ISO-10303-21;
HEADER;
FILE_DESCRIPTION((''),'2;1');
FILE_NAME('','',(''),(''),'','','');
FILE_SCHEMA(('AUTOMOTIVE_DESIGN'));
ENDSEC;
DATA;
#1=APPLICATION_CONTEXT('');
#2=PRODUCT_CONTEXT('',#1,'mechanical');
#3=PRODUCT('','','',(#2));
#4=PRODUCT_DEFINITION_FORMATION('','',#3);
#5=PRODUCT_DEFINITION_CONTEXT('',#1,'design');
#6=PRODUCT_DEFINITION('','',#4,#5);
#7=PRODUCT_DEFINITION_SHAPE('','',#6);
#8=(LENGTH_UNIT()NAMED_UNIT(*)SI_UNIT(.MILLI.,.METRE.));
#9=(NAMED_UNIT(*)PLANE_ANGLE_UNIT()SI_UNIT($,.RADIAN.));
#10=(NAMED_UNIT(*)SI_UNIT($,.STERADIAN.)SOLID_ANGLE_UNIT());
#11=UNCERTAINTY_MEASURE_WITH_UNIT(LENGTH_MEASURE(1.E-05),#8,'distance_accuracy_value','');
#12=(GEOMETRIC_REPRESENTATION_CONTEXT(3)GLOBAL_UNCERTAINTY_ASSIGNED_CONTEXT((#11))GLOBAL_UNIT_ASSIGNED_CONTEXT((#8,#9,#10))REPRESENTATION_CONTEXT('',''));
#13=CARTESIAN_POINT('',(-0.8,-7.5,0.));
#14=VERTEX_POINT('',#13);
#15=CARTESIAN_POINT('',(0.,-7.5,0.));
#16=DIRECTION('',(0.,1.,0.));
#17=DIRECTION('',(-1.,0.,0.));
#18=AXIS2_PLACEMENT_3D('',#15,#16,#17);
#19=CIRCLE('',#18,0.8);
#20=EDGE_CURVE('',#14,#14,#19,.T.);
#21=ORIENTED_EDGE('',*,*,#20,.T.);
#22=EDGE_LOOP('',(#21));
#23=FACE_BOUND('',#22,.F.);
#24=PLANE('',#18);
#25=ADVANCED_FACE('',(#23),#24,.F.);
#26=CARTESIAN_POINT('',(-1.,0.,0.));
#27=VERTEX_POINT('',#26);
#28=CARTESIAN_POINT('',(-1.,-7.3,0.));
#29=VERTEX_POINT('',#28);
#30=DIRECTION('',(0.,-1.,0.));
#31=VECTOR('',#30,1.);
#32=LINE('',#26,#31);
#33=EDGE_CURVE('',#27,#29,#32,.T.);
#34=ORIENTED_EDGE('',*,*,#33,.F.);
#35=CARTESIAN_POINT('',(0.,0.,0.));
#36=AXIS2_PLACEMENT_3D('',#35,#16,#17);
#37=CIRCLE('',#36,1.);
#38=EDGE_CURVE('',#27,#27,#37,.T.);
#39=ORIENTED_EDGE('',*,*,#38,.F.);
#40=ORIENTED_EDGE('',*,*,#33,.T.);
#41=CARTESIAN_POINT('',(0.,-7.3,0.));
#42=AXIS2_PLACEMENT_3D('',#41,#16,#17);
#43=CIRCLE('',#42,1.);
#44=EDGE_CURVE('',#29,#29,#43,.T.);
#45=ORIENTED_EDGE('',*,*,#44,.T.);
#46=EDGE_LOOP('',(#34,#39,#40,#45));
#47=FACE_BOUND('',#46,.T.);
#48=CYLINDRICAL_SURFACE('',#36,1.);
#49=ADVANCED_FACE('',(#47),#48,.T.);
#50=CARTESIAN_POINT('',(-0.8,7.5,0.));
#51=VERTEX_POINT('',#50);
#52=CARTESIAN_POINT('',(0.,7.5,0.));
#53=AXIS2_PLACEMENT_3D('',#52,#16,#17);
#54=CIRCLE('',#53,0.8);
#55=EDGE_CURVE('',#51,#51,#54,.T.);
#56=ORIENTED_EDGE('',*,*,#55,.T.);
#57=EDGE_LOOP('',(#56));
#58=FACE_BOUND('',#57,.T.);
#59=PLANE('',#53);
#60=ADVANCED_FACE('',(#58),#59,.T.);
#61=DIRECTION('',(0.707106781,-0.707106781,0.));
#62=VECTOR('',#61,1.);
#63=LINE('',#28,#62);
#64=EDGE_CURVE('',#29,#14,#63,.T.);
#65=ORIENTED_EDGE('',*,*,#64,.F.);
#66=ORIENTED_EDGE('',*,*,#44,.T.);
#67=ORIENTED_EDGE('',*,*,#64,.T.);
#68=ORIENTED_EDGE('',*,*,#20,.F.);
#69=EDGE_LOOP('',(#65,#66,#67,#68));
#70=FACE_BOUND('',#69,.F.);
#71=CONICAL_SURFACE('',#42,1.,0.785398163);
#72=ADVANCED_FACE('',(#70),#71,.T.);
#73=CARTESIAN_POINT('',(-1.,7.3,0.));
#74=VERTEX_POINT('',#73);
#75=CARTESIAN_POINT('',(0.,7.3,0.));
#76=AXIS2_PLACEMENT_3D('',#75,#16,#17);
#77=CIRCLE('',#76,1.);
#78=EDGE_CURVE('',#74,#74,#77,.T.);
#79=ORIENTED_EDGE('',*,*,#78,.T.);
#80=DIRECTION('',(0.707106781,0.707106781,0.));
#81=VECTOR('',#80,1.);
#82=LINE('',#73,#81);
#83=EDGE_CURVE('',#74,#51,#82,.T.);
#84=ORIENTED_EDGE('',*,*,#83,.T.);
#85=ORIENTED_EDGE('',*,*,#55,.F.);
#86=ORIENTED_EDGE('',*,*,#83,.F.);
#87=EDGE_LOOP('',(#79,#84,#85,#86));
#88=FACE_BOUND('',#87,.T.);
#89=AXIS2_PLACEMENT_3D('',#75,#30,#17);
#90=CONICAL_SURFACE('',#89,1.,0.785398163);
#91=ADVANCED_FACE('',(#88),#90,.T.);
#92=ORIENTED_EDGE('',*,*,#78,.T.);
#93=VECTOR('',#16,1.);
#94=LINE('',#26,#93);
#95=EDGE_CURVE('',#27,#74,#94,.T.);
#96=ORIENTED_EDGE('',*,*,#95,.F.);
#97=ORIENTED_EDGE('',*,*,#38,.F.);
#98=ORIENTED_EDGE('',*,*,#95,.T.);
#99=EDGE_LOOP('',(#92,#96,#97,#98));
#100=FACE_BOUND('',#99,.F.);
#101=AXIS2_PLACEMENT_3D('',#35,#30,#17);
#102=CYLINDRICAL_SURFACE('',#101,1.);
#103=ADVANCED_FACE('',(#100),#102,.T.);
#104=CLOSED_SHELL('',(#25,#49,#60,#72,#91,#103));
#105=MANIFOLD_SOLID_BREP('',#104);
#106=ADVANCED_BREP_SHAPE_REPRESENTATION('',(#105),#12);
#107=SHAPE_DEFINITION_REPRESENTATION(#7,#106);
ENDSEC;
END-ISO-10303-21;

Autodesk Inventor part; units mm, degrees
ref_plane "YZ Plane" through (0, 0, 0) normal (1, 0, 0) x (0, 1, 0)
ref_plane "XZ Plane" through (0, 0, 0) normal (0, 1, 0) x (-1, 0, 0)
ref_plane "XY Plane" through (0, 0, 0) normal (0, 0, 1) x (1, 0, 0)
sketch "スケッチ1" plane through (0, 0, 0) normal (0, 1, 0) x (-1, 0, 0)
  circle A0 centre (0, 0) radius 1
  dimension "d0" = 2
extrude "押し出し1" add sketch "スケッチ1" along normal mid plane 15
chamfer "面取り1" distance 0.2 angle 45 2 edges at (1, 7.5, 0) (1, -7.5, 0)
properties part number "16_023_LOAD_CELL_CONTACT_PIN_R1" material "鋼"
